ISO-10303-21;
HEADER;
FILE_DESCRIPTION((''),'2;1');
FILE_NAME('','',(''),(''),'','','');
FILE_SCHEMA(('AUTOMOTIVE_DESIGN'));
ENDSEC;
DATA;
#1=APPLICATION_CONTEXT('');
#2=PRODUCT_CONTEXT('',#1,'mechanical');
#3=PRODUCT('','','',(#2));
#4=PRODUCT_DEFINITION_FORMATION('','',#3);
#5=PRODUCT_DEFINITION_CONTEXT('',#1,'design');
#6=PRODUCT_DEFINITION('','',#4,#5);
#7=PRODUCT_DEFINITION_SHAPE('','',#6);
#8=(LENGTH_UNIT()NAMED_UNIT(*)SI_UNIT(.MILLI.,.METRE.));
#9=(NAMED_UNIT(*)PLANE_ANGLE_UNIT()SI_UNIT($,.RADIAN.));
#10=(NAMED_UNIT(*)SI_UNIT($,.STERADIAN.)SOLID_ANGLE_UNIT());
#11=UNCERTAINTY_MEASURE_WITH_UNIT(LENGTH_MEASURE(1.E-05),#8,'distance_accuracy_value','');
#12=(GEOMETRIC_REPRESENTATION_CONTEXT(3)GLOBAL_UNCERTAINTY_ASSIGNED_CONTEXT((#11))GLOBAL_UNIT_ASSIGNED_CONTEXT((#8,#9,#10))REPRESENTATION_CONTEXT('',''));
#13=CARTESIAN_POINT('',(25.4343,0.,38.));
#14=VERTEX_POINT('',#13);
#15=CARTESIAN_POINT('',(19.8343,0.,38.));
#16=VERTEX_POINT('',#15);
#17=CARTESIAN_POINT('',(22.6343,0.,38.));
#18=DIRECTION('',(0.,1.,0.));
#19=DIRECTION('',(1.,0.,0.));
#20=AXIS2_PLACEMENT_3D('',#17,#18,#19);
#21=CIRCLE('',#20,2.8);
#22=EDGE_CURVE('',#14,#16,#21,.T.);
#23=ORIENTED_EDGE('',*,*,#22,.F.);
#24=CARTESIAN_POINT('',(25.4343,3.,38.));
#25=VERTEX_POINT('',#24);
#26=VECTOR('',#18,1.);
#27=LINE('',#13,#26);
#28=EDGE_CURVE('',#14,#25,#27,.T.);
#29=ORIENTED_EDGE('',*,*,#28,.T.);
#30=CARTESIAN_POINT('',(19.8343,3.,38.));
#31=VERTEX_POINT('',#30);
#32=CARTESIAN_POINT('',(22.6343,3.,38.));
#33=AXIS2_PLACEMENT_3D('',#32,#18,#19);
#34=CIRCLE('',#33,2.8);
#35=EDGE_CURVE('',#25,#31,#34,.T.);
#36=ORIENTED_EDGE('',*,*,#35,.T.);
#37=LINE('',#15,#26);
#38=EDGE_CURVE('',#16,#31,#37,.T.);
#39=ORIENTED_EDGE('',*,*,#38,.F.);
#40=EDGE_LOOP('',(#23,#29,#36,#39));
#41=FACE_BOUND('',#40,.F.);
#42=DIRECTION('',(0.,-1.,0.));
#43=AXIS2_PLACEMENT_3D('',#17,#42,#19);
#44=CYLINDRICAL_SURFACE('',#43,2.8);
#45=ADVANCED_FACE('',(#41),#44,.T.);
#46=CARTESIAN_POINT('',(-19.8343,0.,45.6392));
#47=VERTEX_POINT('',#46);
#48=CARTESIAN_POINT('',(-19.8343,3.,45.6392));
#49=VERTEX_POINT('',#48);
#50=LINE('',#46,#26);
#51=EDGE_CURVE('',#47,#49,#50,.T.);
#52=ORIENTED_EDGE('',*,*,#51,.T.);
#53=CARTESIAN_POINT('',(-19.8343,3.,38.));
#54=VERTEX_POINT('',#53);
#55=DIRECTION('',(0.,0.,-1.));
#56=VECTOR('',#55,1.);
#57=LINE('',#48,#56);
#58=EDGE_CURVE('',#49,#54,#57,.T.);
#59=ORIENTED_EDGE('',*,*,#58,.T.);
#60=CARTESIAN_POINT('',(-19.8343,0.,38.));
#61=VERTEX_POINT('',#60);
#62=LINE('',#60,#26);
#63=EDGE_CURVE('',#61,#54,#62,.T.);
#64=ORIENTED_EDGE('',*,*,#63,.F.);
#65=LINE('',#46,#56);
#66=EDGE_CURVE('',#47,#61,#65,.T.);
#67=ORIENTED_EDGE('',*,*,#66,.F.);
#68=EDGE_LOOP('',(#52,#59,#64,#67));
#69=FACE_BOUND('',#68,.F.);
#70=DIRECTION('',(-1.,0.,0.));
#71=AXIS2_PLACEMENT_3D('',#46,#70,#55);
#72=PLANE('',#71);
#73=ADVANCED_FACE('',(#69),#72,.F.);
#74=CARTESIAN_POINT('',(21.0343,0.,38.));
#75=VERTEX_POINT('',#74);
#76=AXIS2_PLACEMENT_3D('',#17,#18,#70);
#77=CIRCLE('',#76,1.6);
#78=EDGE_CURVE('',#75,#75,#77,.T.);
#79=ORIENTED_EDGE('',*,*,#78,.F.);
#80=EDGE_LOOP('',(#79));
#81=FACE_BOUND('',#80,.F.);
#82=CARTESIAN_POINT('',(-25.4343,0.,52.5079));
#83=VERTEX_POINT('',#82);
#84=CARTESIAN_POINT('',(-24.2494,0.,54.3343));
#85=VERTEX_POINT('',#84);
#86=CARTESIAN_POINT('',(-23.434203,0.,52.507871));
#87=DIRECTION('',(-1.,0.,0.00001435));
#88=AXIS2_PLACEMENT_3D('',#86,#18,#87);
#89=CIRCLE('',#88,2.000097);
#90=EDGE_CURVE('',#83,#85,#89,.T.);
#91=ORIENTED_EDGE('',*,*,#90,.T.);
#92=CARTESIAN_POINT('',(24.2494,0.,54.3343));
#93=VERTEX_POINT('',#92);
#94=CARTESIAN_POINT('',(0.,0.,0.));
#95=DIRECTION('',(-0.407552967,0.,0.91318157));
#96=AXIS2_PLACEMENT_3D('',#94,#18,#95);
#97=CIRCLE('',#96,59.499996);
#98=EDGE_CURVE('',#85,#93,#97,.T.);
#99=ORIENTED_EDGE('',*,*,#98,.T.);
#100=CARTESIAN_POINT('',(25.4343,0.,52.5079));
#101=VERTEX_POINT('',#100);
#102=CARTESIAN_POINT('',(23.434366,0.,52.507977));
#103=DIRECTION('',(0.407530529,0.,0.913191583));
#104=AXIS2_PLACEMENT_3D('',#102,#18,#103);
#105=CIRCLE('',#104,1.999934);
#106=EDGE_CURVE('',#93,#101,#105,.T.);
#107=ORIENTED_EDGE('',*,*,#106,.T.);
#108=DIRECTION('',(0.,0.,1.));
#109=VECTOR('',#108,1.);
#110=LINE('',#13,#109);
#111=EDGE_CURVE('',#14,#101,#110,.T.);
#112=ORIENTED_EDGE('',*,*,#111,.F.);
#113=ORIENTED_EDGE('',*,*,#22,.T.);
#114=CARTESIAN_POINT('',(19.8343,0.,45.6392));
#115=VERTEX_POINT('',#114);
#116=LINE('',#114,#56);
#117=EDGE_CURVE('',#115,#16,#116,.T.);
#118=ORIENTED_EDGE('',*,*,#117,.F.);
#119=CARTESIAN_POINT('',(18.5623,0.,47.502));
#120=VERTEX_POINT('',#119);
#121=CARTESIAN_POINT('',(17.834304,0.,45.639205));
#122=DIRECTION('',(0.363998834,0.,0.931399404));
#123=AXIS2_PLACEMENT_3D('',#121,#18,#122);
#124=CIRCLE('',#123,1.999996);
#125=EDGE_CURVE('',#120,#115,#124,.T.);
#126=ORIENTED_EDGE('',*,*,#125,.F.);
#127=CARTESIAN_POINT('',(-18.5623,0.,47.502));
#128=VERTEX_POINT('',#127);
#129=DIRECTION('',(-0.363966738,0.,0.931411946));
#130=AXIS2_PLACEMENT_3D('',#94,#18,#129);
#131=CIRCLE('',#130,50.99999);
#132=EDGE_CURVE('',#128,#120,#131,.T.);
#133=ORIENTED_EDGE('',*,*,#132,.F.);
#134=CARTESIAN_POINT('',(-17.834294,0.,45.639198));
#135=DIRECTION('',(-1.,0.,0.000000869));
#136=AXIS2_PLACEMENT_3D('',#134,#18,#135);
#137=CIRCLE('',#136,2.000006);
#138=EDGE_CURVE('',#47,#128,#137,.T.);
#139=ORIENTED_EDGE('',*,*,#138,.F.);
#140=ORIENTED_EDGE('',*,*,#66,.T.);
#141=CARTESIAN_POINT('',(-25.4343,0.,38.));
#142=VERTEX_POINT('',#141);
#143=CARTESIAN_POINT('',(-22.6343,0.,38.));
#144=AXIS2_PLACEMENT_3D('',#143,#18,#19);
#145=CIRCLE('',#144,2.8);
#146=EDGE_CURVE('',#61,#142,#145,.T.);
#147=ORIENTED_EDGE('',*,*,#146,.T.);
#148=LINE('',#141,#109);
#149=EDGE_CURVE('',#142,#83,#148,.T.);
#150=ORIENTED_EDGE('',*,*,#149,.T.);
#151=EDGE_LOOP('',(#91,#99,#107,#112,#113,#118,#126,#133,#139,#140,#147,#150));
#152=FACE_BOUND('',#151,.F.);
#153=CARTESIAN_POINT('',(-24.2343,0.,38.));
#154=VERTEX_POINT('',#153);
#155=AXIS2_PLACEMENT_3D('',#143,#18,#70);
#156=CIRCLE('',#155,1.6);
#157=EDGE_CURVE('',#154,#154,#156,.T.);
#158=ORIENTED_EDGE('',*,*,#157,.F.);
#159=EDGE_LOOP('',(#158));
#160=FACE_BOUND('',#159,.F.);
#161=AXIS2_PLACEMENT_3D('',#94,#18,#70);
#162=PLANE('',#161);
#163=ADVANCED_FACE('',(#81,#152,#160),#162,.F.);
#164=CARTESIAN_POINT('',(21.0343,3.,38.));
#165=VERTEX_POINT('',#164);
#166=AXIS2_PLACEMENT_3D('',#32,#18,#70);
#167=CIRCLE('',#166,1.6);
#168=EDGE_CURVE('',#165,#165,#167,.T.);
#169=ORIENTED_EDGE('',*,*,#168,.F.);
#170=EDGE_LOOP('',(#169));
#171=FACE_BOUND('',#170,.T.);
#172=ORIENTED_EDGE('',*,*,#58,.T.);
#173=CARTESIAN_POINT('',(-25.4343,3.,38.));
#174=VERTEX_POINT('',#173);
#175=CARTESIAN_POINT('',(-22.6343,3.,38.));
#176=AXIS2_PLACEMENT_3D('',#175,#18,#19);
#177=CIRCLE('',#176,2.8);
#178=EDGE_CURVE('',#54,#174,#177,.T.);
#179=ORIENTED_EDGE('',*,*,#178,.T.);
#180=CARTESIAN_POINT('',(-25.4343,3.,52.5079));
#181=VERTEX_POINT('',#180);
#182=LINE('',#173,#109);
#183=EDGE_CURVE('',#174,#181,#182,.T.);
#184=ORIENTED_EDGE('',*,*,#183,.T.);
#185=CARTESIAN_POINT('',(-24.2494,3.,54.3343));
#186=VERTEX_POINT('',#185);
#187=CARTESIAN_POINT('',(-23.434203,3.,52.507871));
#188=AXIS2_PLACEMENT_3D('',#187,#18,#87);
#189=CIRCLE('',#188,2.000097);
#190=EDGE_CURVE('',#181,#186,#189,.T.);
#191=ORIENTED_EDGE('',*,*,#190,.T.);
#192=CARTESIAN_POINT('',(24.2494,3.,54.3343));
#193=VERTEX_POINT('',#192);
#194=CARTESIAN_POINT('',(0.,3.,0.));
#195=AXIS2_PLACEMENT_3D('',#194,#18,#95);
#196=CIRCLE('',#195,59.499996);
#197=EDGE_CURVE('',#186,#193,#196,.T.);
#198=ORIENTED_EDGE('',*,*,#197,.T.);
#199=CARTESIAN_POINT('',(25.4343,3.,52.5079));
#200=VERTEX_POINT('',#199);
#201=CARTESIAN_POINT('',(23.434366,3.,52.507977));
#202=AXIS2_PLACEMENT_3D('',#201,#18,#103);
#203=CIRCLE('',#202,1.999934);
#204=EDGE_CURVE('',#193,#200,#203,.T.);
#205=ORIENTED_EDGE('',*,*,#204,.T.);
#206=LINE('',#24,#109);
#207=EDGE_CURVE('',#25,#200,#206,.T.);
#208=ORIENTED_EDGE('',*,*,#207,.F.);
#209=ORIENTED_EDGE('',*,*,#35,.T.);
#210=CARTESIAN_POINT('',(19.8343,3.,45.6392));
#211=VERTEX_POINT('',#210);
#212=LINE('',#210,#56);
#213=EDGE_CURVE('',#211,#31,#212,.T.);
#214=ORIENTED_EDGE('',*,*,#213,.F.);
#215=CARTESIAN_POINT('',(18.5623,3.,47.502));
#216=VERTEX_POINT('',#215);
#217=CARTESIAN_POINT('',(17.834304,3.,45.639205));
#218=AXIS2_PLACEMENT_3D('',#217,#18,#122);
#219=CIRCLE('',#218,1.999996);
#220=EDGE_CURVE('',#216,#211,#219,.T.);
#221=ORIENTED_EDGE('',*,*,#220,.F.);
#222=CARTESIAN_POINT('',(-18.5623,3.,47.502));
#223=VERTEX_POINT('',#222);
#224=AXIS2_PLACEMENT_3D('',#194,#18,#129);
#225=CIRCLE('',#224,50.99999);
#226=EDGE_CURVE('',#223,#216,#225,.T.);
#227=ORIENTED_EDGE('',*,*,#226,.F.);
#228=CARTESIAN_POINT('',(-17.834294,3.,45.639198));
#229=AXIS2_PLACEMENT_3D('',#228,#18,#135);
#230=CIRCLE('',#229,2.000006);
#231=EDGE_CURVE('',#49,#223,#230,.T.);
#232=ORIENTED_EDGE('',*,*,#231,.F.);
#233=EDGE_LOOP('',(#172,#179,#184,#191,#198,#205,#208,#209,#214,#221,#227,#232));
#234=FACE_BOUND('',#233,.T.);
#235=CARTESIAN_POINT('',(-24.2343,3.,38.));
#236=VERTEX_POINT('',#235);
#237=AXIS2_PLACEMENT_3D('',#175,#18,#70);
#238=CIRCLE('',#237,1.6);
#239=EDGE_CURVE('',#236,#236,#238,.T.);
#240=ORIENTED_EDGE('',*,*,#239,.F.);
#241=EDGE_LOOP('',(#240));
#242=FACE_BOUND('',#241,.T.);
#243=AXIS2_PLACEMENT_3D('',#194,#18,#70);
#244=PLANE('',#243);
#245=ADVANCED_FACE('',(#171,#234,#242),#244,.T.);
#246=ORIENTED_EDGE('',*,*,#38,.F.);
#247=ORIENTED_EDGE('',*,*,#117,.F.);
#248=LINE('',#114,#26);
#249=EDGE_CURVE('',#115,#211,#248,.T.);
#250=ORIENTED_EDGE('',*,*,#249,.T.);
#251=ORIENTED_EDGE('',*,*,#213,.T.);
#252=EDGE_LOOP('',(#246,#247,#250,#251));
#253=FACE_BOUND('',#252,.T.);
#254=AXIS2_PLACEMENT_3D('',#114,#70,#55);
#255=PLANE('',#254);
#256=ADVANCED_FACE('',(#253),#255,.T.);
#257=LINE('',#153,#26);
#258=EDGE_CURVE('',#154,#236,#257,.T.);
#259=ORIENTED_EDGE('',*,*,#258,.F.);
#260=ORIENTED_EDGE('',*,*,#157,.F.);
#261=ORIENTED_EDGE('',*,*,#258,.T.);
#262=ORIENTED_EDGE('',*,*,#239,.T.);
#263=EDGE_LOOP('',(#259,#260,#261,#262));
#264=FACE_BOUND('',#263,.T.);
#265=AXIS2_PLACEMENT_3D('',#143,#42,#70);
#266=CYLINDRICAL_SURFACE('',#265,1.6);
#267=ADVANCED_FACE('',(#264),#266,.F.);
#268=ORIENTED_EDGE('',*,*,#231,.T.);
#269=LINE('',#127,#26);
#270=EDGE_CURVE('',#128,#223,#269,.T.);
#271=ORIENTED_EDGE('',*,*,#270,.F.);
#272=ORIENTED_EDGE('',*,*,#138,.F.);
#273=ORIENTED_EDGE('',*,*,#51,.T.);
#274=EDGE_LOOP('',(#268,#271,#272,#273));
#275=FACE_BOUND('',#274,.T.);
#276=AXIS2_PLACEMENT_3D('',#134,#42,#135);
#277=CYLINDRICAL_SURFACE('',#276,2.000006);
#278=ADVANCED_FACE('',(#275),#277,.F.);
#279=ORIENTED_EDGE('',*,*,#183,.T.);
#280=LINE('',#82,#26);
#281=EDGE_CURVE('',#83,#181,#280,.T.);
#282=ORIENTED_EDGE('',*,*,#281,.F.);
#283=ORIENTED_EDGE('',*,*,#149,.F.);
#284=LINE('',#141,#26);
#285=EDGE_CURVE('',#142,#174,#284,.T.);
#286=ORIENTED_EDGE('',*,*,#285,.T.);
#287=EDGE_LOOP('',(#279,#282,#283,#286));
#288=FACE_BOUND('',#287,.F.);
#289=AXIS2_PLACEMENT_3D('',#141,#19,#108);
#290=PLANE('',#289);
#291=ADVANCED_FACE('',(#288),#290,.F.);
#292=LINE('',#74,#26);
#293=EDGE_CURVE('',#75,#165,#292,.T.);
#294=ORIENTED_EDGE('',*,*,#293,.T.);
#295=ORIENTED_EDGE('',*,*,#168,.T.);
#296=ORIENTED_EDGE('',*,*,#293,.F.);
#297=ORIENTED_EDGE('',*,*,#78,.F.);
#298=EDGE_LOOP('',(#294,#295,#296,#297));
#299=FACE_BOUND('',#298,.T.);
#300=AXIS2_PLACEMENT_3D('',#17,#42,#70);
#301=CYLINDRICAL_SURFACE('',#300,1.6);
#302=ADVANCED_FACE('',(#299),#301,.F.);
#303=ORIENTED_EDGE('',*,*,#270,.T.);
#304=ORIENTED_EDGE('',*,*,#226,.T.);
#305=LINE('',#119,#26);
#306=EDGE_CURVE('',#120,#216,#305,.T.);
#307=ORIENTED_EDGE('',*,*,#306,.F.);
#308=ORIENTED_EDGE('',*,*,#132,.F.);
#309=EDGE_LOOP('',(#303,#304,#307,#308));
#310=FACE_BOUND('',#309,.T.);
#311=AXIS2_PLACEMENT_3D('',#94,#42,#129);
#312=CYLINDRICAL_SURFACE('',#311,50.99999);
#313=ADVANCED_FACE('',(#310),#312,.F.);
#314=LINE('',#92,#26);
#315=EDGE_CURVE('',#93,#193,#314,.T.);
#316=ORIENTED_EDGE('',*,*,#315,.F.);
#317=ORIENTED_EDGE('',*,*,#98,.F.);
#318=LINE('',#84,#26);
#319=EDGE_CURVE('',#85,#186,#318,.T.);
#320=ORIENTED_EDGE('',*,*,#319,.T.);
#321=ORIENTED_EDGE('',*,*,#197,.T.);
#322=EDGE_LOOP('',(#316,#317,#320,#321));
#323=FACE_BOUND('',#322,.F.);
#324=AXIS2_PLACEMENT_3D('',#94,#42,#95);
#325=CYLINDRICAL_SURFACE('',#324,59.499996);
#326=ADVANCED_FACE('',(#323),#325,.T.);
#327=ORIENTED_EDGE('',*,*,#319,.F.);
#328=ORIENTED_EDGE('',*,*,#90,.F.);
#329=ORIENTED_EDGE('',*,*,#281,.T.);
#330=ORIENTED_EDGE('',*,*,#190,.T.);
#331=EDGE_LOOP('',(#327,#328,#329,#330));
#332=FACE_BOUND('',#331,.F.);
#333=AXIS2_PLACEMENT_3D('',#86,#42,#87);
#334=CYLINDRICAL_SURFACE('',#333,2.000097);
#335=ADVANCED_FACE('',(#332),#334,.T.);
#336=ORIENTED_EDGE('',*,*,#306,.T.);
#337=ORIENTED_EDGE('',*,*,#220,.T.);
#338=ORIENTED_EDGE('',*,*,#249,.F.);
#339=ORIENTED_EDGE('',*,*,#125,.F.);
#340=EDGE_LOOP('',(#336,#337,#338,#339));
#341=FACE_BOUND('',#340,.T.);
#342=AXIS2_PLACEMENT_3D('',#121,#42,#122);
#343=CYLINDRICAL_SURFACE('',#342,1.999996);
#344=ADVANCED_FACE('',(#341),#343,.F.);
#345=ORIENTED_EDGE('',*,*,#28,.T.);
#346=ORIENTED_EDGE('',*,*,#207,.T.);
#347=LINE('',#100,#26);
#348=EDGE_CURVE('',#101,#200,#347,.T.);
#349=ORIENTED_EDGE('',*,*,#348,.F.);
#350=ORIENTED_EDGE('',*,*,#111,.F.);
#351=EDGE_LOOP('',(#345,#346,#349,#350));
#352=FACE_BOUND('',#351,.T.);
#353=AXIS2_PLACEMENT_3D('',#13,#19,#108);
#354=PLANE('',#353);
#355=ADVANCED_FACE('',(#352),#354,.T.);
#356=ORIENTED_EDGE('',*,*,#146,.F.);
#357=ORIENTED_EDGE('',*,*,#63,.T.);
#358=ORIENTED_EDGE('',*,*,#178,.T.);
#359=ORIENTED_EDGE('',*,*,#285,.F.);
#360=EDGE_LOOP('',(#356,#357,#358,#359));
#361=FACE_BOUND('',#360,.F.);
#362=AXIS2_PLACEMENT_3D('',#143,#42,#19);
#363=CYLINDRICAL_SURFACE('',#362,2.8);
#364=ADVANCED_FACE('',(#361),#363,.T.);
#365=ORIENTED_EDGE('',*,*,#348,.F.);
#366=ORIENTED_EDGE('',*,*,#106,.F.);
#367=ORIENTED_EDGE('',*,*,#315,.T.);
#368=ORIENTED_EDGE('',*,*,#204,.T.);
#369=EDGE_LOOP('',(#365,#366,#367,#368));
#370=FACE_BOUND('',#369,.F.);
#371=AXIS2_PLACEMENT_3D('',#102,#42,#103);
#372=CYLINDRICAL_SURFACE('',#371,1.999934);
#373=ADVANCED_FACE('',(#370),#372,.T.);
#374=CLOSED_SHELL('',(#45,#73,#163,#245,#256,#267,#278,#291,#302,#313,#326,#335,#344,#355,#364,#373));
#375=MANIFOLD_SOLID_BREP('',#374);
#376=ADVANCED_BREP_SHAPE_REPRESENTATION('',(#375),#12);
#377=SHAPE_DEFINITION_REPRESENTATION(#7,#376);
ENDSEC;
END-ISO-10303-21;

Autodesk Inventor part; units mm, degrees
ref_plane "YZ Plane" through (0, 0, 0) normal (1, 0, 0) x (0, 1, 0)
ref_plane "XZ Plane" through (0, 0, 0) normal (0, 1, 0) x (-1, 0, 0)
ref_plane "XY Plane" through (0, 0, 0) normal (0, 0, 1) x (1, 0, 0)
sketch "Sketch1" plane through (0, 0, 0) normal (0, 1, 0) x (-1, 0, 0)
  circle A0 centre (22.6343, 38) radius 1.6
  circle A1 centre (-22.6343, 38) radius 1.6
  arc A2 (19.8343, 38) -> (25.4343, 38) centre (22.6343, 38) ccw
  arc A3 (-25.4343, 38) -> (-19.8343, 38) centre (-22.6343, 38) ccw
  line L0 (-25.4343, 38) -> (-25.4343, 52.5079)
  line L1 (25.4343, 38) -> (25.4343, 52.5079)
  arc A4 (18.5623, 47.502) -> (-18.5623, 47.502) centre (0, 0) ccw
  line L2 (19.8343, 45.6392) -> (19.8343, 38)
  line L3 (-19.8343, 45.6392) -> (-19.8343, 38)
  arc A5 (24.2494, 54.3343) -> (-24.2494, 54.3343) centre (0, 0) ccw
  arc A6 (25.4343, 52.5079) -> (24.2494, 54.3343) centre (23.4343, 52.5079) ccw
  arc A7 (19.8343, 45.6392) -> (18.5623, 47.502) centre (17.8343, 45.6392) ccw
  arc A8 (-24.2494, 54.3343) -> (-25.4343, 52.5079) centre (-23.4343, 52.5079) ccw
  arc A9 (-18.5623, 47.502) -> (-19.8343, 45.6392) centre (-17.8343, 45.6392) ccw
  point P0 (-25.4343, 53.7898)
  point P1 (25.4343, 53.7898)
  point P2 (19.8343, 46.9851)
  point P3 (-19.8343, 46.9851)
  dimension "d3" = 3.2
  dimension "d4" = 2.8
  dimension "d5" = 2.8
  dimension "d7" = 2
extrude "Extrusion1" add sketch "Sketch1" along normal blind 3
properties part number "Light Sensor Cover"
